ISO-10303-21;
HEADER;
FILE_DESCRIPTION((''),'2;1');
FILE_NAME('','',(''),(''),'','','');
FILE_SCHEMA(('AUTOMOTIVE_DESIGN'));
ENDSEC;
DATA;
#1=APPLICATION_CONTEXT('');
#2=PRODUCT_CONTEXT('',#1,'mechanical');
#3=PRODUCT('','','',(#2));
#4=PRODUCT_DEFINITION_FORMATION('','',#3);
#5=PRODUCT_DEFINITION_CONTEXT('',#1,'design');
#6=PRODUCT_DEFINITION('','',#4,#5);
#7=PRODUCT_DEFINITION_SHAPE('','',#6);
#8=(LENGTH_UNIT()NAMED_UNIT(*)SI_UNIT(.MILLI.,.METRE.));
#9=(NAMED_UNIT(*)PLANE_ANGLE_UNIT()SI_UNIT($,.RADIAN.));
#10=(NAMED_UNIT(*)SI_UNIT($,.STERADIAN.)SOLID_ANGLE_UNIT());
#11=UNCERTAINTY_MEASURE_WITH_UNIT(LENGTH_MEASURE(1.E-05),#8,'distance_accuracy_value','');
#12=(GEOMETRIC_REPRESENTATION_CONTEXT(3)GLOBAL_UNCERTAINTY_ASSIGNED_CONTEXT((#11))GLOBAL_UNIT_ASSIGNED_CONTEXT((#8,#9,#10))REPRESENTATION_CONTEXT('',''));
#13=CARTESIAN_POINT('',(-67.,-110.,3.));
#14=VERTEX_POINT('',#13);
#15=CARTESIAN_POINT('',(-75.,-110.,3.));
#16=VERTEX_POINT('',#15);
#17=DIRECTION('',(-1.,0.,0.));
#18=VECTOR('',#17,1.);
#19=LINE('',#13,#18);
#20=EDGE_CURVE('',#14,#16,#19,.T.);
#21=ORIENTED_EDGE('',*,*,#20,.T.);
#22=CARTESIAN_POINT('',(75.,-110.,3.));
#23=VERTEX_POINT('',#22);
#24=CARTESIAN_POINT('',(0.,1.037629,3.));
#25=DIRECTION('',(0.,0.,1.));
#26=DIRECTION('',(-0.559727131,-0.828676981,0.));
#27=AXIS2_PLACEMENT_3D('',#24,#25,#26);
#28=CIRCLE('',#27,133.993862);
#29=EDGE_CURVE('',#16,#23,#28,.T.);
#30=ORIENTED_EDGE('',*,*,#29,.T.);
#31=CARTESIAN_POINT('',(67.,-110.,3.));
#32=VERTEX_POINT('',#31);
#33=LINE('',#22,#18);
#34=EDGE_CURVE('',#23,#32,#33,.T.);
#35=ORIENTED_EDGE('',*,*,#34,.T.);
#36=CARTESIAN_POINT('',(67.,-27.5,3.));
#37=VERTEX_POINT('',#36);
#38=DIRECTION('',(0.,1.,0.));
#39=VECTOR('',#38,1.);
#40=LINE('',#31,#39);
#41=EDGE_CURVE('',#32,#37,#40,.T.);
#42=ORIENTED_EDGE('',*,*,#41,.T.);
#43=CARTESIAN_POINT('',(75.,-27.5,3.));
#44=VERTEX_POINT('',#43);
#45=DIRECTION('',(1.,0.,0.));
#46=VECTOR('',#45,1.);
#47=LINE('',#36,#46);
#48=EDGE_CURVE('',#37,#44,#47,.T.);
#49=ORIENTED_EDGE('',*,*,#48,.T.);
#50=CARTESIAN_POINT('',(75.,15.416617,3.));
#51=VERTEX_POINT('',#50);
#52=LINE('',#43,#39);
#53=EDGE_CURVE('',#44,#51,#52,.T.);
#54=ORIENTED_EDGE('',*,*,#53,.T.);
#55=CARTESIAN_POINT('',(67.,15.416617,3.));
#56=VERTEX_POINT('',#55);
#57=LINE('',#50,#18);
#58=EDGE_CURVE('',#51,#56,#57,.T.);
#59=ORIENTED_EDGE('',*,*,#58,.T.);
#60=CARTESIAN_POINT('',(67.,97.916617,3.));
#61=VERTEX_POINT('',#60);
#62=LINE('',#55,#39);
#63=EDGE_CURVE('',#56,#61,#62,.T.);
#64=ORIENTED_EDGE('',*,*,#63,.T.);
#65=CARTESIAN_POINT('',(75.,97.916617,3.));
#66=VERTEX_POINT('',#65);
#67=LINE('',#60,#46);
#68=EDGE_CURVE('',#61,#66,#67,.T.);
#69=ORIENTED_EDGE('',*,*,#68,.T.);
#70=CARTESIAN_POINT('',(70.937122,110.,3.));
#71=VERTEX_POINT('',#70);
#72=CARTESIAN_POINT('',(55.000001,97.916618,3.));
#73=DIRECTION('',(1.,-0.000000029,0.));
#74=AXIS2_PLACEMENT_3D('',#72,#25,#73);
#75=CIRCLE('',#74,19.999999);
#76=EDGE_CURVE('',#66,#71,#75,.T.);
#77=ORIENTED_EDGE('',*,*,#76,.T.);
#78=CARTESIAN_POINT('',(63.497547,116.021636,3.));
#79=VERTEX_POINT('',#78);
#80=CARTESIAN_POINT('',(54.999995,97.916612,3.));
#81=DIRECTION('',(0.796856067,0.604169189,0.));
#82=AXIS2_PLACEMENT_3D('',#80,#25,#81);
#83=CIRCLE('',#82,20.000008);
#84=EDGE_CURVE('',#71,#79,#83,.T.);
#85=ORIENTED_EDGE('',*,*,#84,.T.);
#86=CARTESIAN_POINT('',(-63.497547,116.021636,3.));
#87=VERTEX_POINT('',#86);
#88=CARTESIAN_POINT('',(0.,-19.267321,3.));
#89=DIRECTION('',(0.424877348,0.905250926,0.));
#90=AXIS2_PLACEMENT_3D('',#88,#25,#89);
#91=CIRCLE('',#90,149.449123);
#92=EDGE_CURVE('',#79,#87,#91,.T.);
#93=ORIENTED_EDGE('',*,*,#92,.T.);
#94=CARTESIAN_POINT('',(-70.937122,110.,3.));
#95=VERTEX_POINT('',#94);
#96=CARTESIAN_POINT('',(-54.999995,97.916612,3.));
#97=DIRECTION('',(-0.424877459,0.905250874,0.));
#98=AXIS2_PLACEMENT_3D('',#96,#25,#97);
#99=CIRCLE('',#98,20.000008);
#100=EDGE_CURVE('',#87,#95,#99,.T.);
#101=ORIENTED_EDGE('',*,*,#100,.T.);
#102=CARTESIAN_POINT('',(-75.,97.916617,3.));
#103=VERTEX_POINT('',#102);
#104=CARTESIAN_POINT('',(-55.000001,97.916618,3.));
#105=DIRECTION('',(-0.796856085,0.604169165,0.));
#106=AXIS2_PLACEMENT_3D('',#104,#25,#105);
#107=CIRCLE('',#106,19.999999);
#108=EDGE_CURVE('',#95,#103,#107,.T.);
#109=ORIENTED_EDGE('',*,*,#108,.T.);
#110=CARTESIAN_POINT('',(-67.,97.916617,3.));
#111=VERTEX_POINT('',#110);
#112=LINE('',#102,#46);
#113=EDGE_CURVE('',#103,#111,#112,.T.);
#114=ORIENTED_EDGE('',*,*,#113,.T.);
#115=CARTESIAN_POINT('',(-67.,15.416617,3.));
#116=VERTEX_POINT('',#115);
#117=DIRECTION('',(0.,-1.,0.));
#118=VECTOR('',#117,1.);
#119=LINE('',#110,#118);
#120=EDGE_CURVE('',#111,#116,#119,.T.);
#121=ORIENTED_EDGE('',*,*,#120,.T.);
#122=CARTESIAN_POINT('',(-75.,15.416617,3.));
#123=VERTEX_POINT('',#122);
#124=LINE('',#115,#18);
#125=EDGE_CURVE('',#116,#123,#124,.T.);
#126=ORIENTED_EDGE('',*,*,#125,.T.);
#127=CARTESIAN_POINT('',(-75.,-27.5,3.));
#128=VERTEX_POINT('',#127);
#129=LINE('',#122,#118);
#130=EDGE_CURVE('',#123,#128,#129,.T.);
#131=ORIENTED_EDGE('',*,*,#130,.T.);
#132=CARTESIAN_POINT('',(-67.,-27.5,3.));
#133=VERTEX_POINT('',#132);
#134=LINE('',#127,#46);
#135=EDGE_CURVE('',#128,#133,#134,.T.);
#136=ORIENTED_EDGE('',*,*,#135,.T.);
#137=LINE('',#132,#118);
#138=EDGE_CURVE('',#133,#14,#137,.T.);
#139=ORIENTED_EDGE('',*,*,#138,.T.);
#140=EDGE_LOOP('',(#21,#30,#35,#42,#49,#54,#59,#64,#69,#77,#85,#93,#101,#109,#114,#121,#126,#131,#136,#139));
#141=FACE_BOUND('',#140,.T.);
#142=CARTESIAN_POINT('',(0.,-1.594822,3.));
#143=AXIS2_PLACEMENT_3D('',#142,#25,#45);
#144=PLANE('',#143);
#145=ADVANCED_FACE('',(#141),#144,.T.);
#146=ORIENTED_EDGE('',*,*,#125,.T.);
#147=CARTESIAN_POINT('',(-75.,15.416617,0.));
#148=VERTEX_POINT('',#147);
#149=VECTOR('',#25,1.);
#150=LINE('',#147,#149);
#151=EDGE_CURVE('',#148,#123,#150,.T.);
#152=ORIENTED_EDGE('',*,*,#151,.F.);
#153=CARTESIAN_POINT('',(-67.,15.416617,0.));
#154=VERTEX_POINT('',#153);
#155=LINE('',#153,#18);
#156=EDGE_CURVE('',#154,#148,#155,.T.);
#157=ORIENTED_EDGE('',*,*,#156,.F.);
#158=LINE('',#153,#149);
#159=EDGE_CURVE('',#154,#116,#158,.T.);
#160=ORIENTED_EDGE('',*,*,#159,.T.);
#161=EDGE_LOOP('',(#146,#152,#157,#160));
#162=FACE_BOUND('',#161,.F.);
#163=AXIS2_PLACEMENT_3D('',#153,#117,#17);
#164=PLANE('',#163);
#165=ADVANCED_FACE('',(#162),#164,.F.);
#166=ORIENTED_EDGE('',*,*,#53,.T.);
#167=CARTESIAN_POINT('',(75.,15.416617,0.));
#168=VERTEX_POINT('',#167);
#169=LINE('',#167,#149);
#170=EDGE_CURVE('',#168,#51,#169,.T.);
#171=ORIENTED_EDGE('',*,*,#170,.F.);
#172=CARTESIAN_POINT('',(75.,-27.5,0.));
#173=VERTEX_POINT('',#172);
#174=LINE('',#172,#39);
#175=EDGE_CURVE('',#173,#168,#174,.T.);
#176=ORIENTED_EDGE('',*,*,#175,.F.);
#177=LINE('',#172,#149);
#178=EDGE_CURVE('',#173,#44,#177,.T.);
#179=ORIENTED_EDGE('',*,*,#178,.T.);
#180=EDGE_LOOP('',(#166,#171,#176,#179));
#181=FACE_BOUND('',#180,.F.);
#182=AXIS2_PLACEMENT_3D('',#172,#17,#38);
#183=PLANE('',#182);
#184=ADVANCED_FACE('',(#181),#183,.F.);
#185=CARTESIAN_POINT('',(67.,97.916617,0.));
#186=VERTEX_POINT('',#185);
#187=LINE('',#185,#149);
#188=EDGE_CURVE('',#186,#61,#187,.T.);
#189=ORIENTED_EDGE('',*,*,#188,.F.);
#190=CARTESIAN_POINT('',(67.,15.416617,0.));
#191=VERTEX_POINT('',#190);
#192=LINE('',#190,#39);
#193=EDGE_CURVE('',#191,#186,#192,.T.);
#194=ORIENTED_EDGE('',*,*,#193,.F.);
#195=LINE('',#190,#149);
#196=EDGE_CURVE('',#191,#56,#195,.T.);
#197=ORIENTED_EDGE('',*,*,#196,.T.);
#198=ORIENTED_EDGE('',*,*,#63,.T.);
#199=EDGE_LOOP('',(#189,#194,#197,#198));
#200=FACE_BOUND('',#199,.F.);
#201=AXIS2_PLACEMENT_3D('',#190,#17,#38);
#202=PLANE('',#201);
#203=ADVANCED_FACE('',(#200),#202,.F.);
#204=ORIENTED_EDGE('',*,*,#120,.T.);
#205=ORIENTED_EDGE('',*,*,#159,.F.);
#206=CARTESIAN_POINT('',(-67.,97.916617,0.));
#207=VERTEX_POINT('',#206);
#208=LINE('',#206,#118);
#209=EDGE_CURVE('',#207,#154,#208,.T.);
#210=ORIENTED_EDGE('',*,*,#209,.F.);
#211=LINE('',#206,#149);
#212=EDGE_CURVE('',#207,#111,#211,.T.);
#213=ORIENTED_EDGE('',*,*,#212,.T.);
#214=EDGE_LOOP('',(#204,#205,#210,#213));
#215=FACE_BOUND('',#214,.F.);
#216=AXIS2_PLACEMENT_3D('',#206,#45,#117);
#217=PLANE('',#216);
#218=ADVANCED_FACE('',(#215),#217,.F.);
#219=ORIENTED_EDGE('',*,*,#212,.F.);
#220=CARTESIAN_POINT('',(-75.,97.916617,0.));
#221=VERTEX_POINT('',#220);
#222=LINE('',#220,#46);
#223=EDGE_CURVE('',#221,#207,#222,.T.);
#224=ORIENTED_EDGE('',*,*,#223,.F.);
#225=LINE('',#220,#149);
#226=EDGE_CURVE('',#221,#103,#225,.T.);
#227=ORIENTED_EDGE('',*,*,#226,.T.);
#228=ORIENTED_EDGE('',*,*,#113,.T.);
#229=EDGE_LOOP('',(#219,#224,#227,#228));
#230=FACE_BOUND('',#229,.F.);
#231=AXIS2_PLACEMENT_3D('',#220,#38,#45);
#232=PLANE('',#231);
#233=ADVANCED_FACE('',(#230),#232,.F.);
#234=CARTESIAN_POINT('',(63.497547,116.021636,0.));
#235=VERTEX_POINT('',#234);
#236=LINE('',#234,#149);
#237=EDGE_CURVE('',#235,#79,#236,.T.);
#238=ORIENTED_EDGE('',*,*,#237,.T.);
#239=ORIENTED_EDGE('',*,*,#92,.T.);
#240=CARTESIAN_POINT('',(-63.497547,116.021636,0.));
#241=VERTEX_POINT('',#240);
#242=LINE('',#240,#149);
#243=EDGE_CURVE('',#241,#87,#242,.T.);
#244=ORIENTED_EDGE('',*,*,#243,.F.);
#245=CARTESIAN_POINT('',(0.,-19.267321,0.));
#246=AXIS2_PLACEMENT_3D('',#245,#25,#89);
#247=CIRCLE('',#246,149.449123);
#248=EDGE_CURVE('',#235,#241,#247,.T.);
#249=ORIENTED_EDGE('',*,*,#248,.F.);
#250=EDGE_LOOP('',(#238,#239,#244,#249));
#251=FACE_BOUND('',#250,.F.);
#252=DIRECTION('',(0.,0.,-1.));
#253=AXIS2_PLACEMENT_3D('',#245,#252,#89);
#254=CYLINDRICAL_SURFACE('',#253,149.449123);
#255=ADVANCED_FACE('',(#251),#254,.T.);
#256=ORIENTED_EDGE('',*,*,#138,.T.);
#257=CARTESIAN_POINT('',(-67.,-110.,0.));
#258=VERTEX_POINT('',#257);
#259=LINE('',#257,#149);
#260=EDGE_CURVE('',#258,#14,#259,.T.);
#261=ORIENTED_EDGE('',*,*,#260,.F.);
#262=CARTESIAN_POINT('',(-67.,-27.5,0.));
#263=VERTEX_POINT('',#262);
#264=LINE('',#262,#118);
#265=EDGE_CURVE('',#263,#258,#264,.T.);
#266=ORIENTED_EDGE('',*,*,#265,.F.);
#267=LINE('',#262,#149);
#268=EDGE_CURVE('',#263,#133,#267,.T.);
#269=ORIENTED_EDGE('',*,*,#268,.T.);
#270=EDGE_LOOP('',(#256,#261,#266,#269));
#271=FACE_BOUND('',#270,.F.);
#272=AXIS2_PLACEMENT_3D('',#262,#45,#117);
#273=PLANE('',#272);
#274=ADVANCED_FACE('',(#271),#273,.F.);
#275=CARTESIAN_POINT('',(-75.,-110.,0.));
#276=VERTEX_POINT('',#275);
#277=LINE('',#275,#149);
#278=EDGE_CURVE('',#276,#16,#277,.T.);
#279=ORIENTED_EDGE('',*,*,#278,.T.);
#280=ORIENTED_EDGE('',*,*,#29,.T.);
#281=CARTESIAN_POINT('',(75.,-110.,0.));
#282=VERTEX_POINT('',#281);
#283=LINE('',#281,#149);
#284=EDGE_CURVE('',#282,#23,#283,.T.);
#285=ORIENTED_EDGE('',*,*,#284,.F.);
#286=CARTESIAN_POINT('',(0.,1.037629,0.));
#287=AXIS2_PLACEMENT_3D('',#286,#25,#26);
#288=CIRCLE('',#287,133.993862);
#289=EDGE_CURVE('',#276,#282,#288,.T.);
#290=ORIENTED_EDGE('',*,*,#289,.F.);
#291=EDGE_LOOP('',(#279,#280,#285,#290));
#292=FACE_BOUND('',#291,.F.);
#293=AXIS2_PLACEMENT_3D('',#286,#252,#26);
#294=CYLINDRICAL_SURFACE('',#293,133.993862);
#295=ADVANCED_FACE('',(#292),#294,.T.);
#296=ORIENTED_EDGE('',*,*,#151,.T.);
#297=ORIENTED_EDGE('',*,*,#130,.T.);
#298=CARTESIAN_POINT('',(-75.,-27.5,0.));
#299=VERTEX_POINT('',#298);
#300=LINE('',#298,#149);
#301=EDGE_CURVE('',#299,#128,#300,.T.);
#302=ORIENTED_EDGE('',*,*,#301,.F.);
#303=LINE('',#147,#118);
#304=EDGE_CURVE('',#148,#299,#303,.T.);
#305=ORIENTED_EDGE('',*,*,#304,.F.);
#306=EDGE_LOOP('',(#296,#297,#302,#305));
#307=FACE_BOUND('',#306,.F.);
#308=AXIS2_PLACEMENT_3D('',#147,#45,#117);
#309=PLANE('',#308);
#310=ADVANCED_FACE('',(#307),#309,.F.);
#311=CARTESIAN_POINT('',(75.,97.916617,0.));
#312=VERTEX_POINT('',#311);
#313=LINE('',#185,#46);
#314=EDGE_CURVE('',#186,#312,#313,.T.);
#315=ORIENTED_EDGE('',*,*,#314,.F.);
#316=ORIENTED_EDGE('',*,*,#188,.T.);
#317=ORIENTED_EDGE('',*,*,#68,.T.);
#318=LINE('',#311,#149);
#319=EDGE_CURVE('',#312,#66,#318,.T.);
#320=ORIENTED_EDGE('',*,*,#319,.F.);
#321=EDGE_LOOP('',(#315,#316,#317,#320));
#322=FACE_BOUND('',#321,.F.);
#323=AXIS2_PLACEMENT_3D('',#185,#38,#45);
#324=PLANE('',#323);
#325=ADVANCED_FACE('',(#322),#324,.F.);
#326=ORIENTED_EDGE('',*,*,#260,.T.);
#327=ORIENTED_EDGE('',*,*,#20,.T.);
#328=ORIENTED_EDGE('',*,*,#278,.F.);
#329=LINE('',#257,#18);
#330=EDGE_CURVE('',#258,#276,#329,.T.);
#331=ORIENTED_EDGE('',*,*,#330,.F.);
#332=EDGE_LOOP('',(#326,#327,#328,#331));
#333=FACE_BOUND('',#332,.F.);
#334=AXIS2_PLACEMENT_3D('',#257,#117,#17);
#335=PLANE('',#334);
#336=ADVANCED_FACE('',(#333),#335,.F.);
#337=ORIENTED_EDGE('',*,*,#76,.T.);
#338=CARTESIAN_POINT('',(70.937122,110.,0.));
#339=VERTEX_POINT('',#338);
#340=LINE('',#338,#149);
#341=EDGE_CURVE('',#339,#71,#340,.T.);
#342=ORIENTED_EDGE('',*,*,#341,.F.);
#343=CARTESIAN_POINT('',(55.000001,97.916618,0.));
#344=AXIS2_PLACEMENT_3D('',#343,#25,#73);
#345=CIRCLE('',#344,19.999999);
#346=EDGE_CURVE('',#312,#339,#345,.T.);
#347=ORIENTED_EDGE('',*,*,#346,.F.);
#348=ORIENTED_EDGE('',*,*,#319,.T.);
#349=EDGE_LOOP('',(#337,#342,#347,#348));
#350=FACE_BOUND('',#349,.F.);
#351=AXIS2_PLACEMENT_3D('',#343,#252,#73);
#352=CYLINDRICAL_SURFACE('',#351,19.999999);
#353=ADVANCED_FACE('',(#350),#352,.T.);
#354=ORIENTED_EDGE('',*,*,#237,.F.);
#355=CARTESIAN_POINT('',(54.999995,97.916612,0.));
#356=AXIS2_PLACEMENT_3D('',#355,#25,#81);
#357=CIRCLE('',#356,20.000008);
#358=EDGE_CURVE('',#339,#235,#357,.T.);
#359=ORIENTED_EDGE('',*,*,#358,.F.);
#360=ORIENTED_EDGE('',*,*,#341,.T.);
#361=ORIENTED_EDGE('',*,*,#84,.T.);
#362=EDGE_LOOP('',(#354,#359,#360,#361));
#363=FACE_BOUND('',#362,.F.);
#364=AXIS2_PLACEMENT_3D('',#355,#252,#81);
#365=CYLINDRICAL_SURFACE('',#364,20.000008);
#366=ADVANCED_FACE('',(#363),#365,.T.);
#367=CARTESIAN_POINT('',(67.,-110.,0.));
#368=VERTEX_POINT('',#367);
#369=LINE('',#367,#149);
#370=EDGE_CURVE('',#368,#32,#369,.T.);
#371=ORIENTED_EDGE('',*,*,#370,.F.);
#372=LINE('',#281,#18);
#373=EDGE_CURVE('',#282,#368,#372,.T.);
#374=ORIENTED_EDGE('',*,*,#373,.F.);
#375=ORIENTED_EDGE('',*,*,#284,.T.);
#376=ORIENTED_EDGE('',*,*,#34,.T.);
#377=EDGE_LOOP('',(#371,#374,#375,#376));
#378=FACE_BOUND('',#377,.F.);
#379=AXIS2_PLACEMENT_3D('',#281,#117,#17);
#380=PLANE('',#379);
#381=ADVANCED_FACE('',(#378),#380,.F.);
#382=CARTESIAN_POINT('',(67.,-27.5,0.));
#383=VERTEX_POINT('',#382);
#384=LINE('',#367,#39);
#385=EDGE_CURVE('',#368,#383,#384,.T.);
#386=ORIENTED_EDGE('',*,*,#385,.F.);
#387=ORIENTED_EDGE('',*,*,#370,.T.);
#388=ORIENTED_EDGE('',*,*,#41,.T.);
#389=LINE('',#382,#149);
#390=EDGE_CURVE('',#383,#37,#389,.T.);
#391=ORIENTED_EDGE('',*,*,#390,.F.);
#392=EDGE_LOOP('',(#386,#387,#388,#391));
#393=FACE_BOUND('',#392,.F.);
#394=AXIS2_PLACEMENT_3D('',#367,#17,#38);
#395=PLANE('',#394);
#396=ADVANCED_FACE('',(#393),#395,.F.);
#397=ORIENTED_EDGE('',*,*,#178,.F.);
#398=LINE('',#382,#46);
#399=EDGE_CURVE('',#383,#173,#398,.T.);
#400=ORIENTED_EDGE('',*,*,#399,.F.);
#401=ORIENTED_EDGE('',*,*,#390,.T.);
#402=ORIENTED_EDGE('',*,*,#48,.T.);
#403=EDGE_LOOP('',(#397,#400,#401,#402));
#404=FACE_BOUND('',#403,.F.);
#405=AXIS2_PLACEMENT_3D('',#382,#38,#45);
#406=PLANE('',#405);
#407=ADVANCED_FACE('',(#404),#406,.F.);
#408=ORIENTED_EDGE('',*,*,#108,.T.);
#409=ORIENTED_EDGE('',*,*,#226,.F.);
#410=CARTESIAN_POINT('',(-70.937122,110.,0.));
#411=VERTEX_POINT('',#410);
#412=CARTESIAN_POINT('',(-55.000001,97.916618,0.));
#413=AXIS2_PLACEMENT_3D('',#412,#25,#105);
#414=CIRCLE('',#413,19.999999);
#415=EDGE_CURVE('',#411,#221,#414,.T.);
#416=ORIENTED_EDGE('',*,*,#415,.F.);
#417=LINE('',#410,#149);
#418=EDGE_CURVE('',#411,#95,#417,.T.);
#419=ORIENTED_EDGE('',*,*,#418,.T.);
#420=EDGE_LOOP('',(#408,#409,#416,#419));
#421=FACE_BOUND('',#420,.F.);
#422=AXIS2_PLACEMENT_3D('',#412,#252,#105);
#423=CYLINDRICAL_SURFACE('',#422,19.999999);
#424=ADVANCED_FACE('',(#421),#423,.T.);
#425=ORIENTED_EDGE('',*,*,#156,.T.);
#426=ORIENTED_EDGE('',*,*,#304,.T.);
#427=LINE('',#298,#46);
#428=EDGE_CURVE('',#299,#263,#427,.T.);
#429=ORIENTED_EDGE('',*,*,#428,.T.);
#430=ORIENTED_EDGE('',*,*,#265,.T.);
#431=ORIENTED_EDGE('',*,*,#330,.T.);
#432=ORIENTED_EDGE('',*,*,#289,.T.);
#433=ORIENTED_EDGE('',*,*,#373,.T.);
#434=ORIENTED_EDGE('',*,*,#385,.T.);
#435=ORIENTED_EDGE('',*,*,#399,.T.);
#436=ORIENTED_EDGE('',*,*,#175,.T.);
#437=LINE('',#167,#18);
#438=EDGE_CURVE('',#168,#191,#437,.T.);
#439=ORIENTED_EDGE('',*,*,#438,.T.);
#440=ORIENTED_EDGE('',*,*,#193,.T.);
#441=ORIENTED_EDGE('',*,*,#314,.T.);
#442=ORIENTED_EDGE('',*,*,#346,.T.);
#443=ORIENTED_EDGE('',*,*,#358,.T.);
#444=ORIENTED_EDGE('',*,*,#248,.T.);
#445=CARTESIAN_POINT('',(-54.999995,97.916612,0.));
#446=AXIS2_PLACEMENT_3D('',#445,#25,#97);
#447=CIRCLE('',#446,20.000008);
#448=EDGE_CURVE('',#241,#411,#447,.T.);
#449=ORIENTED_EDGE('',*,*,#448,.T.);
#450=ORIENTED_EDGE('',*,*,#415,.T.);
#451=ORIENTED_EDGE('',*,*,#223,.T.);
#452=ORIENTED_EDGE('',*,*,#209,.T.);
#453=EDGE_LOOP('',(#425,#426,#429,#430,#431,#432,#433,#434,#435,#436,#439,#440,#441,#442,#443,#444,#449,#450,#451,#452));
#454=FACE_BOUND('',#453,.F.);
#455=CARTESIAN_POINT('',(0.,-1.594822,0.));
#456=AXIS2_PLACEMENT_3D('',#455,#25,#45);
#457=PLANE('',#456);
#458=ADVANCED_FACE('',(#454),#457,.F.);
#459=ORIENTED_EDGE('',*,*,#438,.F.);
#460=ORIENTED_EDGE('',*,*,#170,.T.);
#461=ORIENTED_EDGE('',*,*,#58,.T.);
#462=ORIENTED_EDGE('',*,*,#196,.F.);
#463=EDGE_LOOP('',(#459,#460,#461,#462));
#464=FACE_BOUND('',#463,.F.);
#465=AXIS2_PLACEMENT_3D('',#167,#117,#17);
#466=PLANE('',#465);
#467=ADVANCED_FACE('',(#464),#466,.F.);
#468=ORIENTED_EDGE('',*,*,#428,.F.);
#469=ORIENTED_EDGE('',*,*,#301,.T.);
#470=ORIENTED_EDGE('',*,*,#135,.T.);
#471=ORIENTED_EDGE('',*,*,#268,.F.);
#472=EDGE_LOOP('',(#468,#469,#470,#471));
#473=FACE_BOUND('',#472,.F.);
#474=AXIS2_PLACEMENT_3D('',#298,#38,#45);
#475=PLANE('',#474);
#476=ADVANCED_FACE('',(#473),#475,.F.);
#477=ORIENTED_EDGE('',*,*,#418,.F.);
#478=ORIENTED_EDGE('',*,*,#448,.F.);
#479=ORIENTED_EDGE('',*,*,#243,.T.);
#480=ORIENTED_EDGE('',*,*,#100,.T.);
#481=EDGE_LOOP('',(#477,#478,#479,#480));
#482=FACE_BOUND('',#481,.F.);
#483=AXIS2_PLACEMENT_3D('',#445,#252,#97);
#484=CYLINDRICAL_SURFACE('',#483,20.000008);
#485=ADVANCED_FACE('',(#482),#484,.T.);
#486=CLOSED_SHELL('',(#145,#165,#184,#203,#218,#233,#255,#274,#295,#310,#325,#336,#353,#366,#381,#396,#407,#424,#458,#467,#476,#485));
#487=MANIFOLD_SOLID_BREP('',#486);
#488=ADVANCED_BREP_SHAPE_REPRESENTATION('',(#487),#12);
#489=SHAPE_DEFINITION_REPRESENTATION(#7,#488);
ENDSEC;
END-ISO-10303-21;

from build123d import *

# Parameters (mm, degrees)
F1_DEPTH = 3


with BuildPart() as f1:
    # F0 (on Top) → F1 (new body)
    with BuildSketch(Plane.XY):
        with BuildLine():
            ThreePointArc((-75, -110), (0, -132.956233), (75, -110))
            Line((75, -110), (67, -110))
            Line((67, -110), (67, -27.5))
            Line((67, -27.5), (75, -27.5))
            Line((75, -27.5), (75, 15.416617))
            Line((75, 15.416617), (67, 15.416617))
            Line((67, 15.416617), (67, 97.916617))
            Line((67, 97.916617), (75, 97.916617))
            ThreePointArc((75, 97.916617), (73.957089, 104.290688), (70.937122, 110))
            ThreePointArc((70.937122, 110), (67.582857, 113.462411), (63.497547, 116.021636))
            ThreePointArc((63.497547, 116.021636), (0, 130.181802), (-63.497547, 116.021636))
            ThreePointArc((-63.497547, 116.021636), (-67.582857, 113.462411), (-70.937122, 110))
            ThreePointArc((-70.937122, 110), (-73.957089, 104.290688), (-75, 97.916617))
            Line((-75, 97.916617), (-67, 97.916617))
            Line((-67, 97.916617), (-67, 15.416617))
            Line((-67, 15.416617), (-75, 15.416617))
            Line((-75, 15.416617), (-75, -27.5))
            Line((-75, -27.5), (-67, -27.5))
            Line((-67, -27.5), (-67, -110))
            Line((-67, -110), (-75, -110))
        make_face()
    extrude(amount=F1_DEPTH)


solid = f1.part
